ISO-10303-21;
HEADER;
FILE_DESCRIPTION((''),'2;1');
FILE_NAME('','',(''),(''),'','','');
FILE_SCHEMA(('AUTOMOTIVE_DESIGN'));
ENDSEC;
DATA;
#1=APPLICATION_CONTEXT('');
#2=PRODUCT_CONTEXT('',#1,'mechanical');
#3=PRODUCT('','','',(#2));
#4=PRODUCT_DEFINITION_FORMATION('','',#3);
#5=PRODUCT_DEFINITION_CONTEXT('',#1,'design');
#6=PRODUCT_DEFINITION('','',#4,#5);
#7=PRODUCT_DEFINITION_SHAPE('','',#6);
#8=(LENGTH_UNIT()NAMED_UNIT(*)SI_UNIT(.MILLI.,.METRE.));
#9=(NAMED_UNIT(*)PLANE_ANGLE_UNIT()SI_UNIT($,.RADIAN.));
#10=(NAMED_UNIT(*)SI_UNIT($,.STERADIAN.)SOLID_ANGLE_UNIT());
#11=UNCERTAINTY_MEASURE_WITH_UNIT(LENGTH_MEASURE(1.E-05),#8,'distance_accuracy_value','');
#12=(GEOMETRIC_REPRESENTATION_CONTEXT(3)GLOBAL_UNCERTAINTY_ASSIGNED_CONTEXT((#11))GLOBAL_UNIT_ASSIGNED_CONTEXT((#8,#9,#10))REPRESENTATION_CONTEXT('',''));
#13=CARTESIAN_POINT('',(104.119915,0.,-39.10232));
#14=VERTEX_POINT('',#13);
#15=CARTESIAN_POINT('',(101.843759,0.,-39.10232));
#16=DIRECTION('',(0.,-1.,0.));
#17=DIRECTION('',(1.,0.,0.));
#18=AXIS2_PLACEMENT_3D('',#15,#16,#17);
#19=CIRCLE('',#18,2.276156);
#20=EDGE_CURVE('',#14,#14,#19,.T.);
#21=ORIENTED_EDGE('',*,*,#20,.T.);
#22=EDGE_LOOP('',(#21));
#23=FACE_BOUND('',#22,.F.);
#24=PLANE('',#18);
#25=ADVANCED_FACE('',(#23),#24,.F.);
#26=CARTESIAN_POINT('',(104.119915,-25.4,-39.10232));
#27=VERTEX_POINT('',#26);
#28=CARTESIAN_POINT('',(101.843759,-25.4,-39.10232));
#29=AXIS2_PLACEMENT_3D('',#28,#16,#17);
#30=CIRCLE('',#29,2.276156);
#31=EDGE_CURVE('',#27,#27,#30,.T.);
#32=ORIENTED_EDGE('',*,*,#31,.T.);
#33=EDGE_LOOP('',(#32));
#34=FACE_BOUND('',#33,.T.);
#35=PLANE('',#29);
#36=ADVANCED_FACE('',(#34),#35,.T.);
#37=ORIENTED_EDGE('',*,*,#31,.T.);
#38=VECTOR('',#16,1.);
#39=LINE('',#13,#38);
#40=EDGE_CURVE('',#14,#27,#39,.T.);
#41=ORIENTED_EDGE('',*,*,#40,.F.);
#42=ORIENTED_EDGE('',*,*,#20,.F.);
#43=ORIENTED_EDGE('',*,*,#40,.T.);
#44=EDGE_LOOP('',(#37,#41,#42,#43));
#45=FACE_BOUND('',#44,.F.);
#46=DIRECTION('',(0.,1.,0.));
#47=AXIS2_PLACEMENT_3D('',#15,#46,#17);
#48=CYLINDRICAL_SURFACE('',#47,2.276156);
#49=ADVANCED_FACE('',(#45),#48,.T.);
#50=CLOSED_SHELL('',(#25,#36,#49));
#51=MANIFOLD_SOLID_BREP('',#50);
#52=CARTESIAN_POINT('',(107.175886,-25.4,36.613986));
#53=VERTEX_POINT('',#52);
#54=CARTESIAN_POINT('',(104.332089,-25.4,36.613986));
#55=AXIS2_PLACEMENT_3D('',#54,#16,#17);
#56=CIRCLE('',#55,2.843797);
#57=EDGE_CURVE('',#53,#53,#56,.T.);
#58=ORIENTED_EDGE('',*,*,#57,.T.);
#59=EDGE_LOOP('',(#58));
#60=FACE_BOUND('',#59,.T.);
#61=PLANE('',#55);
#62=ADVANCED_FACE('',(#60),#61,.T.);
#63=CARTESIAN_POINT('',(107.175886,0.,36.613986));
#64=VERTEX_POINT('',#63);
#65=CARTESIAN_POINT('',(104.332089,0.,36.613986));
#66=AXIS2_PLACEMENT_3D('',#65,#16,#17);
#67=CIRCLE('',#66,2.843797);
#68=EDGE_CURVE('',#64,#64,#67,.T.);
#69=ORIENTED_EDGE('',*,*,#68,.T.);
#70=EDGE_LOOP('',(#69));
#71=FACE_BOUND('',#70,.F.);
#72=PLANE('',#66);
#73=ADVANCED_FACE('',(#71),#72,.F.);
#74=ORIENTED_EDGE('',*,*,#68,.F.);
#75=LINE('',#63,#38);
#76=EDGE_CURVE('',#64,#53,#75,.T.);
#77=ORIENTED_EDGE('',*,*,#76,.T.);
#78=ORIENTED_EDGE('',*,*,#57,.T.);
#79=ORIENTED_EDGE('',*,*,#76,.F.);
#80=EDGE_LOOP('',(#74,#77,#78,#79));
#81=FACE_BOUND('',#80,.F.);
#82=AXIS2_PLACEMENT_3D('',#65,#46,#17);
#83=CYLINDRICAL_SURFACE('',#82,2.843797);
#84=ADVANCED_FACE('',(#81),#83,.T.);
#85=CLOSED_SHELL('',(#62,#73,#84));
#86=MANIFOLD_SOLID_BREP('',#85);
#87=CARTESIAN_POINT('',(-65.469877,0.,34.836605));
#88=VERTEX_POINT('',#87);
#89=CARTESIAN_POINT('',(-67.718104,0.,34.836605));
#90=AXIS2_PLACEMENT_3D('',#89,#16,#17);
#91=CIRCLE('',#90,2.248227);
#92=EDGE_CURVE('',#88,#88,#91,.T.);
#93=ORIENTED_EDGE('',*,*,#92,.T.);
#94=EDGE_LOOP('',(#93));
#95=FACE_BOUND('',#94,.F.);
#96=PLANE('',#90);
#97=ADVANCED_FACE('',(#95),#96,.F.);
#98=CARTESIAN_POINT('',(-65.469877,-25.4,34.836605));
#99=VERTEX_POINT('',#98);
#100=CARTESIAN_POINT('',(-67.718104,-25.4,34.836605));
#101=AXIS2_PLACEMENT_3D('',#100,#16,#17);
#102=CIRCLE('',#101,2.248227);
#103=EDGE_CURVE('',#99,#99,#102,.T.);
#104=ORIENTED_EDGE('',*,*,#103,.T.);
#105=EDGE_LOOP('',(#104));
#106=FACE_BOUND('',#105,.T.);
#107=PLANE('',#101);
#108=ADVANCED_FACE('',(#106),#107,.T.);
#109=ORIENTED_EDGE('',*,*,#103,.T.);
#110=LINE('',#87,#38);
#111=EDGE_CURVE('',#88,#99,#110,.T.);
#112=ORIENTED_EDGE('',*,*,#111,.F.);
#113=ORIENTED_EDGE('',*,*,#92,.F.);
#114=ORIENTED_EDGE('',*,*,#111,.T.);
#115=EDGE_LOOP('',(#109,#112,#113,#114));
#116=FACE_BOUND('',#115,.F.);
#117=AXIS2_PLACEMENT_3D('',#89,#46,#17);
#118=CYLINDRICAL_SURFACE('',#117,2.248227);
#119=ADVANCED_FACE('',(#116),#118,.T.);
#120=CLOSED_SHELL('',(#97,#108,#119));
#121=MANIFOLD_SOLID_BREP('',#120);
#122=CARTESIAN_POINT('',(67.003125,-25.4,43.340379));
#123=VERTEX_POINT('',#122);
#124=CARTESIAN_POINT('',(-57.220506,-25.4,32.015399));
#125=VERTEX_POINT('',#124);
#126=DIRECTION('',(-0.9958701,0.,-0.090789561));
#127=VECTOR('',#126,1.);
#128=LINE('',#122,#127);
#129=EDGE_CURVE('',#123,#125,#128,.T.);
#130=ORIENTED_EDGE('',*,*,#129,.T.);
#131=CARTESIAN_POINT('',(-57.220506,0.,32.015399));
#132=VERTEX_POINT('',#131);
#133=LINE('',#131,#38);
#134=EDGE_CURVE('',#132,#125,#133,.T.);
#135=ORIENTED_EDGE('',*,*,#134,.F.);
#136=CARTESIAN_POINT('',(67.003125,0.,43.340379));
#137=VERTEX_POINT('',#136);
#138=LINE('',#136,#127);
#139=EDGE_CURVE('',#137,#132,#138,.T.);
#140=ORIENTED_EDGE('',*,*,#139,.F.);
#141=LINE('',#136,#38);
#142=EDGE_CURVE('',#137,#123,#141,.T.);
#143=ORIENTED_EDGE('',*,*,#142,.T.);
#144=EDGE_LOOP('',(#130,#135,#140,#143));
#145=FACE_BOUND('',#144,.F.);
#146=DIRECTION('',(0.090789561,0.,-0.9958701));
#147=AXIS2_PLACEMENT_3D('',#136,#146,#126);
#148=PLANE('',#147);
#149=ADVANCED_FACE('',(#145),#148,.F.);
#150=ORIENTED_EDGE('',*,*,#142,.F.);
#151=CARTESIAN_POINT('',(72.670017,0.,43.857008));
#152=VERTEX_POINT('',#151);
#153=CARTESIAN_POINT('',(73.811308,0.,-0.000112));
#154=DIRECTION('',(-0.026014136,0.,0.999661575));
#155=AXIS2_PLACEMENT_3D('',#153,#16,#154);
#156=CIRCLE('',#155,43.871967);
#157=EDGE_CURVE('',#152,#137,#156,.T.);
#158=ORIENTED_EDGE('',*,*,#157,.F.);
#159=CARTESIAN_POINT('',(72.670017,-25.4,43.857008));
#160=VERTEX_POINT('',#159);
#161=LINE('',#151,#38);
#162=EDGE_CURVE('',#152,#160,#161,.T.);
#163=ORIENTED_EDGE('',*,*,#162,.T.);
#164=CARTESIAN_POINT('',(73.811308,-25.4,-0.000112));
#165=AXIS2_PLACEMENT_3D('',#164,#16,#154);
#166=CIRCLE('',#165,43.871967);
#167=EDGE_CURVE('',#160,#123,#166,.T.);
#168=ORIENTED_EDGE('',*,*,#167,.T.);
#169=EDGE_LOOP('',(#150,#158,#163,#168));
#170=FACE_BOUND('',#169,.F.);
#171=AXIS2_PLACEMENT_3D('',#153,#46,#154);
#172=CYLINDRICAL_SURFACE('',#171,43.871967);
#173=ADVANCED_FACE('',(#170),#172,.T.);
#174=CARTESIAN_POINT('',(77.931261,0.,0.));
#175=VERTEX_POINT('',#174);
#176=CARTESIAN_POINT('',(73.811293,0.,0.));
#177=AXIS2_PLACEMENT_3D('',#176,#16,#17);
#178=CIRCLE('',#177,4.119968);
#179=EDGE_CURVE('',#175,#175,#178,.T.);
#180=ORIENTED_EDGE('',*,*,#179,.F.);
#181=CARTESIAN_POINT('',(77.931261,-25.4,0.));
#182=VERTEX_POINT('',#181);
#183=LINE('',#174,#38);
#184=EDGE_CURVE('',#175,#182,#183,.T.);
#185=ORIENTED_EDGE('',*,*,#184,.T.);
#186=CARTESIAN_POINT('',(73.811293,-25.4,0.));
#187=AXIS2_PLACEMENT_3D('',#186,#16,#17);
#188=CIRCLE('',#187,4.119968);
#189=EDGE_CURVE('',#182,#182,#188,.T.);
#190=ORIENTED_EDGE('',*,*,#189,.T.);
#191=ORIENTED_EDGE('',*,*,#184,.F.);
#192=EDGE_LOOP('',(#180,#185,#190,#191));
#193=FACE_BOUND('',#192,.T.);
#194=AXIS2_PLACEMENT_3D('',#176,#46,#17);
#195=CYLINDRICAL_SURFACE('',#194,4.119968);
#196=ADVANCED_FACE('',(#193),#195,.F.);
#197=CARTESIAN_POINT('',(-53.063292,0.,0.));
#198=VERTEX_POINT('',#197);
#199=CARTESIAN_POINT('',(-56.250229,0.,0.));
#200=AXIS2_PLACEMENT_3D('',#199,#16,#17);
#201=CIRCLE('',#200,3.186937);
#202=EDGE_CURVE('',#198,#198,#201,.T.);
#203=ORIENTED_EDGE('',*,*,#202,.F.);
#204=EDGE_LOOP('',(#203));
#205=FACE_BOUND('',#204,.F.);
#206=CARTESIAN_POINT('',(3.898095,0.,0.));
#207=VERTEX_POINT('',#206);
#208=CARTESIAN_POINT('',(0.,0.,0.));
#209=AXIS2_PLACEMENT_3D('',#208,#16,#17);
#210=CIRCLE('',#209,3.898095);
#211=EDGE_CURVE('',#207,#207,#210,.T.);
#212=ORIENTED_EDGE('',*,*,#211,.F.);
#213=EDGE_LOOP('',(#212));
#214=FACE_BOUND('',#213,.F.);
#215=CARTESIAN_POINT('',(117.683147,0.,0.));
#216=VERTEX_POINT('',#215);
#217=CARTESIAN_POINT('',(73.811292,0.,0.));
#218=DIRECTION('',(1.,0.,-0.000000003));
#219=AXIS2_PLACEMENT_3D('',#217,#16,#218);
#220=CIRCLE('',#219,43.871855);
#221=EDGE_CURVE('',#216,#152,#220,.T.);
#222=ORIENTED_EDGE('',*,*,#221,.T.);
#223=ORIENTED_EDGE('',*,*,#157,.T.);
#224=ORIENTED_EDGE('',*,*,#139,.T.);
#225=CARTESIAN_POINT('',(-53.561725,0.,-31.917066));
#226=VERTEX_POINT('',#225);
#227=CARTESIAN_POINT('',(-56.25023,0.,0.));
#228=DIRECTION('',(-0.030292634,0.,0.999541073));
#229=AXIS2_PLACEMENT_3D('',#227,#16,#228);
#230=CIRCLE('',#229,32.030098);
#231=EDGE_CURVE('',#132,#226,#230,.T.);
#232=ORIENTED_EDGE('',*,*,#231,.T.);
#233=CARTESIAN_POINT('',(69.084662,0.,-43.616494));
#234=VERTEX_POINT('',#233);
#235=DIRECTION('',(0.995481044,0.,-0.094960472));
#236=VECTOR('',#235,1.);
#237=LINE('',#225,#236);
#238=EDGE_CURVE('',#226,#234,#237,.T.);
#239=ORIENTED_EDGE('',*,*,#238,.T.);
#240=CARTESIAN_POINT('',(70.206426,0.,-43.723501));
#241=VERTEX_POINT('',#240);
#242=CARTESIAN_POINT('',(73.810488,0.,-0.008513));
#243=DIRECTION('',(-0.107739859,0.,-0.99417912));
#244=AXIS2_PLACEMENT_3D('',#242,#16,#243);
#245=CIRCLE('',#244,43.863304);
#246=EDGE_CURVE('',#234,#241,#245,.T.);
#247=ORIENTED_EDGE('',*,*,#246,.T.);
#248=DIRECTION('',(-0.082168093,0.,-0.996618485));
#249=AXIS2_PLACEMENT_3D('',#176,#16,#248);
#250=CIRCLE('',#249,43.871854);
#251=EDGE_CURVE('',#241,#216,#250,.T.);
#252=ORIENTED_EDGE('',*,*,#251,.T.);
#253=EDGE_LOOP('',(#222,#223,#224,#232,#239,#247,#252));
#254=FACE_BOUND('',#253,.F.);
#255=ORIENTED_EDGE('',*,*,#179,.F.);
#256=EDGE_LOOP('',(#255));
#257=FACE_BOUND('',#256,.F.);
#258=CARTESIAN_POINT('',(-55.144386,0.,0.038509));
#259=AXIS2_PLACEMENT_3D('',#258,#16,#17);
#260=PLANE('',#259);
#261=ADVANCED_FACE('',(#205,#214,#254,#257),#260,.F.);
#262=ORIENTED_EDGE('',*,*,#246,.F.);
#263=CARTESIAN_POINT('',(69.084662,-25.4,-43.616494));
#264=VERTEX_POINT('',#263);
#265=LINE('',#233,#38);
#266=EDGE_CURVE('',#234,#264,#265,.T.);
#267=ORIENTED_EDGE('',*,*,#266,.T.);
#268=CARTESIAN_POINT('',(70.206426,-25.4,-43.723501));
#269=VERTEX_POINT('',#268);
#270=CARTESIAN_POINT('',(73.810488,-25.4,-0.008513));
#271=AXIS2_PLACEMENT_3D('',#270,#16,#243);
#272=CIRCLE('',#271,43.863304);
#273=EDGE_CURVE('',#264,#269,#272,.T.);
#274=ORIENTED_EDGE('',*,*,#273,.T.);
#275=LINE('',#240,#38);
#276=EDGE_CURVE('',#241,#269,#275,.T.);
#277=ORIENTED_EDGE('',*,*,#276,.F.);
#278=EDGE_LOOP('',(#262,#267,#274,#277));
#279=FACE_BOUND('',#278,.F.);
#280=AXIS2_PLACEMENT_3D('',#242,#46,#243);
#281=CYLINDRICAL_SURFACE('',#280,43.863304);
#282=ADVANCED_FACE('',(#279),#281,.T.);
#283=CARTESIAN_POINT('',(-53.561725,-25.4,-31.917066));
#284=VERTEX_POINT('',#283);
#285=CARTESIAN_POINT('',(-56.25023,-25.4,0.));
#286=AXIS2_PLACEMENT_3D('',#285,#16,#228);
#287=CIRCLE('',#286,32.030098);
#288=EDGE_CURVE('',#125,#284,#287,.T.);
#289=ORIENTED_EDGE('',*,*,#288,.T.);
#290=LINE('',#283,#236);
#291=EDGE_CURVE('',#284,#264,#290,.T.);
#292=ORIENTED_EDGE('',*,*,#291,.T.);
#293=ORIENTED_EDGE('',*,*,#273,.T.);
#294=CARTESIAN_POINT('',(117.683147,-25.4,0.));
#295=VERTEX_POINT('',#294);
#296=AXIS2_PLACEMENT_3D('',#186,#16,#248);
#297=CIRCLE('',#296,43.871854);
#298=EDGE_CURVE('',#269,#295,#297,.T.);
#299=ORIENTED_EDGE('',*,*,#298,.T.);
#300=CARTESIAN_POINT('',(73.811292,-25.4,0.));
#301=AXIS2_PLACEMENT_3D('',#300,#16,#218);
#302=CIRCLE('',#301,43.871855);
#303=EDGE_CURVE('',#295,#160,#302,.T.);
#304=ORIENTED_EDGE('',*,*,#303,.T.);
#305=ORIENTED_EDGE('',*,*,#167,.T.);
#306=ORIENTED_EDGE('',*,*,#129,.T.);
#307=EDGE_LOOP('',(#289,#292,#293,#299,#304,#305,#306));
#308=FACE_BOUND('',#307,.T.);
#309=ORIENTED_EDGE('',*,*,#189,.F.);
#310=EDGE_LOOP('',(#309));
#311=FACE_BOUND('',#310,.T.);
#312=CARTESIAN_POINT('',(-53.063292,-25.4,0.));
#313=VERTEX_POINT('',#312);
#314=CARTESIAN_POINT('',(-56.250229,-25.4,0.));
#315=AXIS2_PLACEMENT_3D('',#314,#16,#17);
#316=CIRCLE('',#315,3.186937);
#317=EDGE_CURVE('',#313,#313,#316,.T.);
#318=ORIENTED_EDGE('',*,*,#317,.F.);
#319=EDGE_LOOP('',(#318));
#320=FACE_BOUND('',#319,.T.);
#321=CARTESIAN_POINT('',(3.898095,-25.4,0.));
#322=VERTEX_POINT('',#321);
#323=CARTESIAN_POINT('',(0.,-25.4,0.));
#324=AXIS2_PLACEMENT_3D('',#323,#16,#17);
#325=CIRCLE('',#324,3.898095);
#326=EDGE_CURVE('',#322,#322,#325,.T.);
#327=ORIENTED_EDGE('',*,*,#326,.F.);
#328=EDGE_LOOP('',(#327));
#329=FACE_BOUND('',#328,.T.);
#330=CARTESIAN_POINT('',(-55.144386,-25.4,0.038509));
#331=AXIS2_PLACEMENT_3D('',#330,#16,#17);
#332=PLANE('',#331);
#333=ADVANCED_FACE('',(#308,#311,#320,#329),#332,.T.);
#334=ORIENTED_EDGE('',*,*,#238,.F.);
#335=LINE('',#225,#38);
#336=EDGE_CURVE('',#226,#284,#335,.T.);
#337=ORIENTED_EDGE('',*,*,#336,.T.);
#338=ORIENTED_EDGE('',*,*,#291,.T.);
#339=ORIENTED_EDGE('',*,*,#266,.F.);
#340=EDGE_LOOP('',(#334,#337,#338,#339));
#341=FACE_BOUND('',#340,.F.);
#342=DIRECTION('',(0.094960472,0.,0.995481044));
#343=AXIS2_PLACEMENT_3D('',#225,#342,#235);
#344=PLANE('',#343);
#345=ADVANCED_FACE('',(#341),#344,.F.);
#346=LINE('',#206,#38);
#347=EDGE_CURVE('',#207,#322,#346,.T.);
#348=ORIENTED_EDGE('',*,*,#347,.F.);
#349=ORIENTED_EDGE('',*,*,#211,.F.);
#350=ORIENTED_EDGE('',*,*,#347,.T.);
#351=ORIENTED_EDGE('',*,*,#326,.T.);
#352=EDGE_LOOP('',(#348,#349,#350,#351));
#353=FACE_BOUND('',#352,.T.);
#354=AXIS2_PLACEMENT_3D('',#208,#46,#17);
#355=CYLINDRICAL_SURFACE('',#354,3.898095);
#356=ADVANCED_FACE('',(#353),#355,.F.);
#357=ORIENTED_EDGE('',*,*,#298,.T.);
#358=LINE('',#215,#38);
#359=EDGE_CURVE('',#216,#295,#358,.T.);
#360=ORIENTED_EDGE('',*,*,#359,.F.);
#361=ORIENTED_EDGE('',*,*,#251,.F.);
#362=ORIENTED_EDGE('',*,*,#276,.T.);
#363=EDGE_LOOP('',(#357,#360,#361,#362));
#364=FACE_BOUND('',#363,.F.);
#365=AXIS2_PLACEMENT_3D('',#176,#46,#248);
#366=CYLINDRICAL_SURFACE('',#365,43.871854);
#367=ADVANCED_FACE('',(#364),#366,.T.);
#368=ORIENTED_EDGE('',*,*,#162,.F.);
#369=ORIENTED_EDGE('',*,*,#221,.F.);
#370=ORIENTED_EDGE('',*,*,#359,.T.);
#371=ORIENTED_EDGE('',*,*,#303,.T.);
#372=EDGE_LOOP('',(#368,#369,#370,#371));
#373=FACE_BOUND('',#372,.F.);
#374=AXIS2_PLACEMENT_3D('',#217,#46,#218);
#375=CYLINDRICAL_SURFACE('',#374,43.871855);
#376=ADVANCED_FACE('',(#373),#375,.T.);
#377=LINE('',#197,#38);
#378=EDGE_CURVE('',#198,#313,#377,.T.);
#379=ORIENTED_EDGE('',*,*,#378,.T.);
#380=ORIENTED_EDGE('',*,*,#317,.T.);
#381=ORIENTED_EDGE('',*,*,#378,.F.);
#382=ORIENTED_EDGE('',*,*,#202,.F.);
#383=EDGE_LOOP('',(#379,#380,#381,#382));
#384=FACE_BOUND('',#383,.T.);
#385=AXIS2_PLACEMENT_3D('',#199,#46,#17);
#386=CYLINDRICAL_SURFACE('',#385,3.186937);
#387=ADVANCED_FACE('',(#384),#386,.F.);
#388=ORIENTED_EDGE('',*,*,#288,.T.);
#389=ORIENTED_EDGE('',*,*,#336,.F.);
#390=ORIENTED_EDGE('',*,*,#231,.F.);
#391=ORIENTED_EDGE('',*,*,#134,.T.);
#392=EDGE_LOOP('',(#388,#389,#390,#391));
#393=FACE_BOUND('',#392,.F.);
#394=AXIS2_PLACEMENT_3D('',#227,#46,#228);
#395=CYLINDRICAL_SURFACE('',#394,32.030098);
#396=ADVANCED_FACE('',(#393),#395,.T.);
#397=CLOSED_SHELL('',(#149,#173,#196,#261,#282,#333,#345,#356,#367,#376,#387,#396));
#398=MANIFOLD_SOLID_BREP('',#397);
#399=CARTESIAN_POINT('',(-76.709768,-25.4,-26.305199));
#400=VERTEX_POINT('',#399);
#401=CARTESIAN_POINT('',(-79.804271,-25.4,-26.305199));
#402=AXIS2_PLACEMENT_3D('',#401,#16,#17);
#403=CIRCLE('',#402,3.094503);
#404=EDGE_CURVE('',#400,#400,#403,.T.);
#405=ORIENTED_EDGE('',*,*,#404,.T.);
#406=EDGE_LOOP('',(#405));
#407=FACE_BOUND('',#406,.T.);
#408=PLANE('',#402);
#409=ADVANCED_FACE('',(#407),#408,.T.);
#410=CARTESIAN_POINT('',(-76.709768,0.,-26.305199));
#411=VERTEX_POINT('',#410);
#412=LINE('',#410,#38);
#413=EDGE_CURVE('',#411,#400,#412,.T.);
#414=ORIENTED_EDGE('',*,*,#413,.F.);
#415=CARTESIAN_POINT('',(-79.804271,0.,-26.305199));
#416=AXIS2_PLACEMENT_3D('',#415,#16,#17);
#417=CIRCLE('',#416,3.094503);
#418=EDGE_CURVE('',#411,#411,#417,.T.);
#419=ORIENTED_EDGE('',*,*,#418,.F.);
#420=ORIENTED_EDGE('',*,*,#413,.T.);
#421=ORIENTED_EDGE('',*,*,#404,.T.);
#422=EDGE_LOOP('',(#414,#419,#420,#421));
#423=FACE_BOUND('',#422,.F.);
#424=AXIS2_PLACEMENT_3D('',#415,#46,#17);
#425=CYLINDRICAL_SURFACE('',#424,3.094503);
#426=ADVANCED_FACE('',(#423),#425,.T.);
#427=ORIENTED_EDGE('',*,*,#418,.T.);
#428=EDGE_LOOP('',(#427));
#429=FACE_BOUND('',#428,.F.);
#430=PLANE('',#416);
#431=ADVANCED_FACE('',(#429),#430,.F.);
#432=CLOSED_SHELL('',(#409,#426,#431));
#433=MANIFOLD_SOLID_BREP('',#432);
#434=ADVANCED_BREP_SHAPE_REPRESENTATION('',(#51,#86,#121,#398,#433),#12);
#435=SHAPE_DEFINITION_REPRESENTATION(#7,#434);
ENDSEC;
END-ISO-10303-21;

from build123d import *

# Parameters (mm, degrees)
F0_R     = 3.186937
F0_R_2   = 3.898095
F0_R_3   = 4.119968
F0_R_4   = 2.248227
F0_R_5   = 3.094503
F0_R_6   = 2.276156
F0_R_7   = 2.843797
F1_DEPTH = 25.4


with BuildPart() as f1:
    # F0 (on Front) → F1 (new body)
    with BuildSketch(Plane.XZ):
        with BuildLine():
            ThreePointArc((-53.561725, -31.917066), (-32.67015, -21.67734), (-24.220131, 0))
            ThreePointArc((-24.220131, 0), (-33.947213, 22.989185), (-57.220506, 32.015399))
            ThreePointArc((-57.220506, 32.015399), (-88.228005, -1.830051), (-53.561725, -31.917066))
        make_face()
        with Locations((-56.250229, 0)):
            Circle(F0_R, mode=Mode.SUBTRACT)
        with BuildLine():
            ThreePointArc((-57.220506, 32.015399), (-33.947213, 22.989185), (-24.220131, 0))
            ThreePointArc((-24.220131, 0), (-32.67015, -21.67734), (-53.561725, -31.917066))
            Line((-53.561725, -31.917066), (69.084662, -43.616494))
            ThreePointArc((69.084662, -43.616494), (29.952002, -1.049886), (67.003125, 43.340379))
            Line((67.003125, 43.340379), (-57.220506, 32.015399))
        make_face()
        Circle(F0_R_2, mode=Mode.SUBTRACT)
        with BuildLine():
            Line((72.670017, 43.857008), (67.003125, 43.340379))
            ThreePointArc((67.003125, 43.340379), (29.952002, -1.049886), (69.084662, -43.616494))
            Line((69.084662, -43.616494), (70.206426, -43.723501))
            ThreePointArc((70.206426, -43.723501), (103.53155, -32.271441), (117.683147, 0))
            ThreePointArc((117.683147, 0), (104.427218, 31.422997), (72.670017, 43.857008))
        make_face()
        with Locations((73.811293, 0)):
            Circle(F0_R_3, mode=Mode.SUBTRACT)
        with BuildLine():
            ThreePointArc((72.670017, 43.857008), (69.828186, 43.690668), (67.003125, 43.340379))
            Line((67.003125, 43.340379), (72.670017, 43.857008))
        make_face()
        with BuildLine():
            Line((70.206426, -43.723501), (69.084662, -43.616494))
            ThreePointArc((69.084662, -43.616494), (69.645201, -43.6736), (70.206426, -43.723501))
        make_face()
        with Locations((-67.718104, 34.836605)):
            Circle(F0_R_4)
        with Locations((-79.804271, -26.305199)):
            Circle(F0_R_5)
        with Locations((101.843759, -39.10232)):
            Circle(F0_R_6)
        with Locations((104.332089, 36.613986)):
            Circle(F0_R_7)
    extrude(amount=F1_DEPTH)


solid = f1.part
